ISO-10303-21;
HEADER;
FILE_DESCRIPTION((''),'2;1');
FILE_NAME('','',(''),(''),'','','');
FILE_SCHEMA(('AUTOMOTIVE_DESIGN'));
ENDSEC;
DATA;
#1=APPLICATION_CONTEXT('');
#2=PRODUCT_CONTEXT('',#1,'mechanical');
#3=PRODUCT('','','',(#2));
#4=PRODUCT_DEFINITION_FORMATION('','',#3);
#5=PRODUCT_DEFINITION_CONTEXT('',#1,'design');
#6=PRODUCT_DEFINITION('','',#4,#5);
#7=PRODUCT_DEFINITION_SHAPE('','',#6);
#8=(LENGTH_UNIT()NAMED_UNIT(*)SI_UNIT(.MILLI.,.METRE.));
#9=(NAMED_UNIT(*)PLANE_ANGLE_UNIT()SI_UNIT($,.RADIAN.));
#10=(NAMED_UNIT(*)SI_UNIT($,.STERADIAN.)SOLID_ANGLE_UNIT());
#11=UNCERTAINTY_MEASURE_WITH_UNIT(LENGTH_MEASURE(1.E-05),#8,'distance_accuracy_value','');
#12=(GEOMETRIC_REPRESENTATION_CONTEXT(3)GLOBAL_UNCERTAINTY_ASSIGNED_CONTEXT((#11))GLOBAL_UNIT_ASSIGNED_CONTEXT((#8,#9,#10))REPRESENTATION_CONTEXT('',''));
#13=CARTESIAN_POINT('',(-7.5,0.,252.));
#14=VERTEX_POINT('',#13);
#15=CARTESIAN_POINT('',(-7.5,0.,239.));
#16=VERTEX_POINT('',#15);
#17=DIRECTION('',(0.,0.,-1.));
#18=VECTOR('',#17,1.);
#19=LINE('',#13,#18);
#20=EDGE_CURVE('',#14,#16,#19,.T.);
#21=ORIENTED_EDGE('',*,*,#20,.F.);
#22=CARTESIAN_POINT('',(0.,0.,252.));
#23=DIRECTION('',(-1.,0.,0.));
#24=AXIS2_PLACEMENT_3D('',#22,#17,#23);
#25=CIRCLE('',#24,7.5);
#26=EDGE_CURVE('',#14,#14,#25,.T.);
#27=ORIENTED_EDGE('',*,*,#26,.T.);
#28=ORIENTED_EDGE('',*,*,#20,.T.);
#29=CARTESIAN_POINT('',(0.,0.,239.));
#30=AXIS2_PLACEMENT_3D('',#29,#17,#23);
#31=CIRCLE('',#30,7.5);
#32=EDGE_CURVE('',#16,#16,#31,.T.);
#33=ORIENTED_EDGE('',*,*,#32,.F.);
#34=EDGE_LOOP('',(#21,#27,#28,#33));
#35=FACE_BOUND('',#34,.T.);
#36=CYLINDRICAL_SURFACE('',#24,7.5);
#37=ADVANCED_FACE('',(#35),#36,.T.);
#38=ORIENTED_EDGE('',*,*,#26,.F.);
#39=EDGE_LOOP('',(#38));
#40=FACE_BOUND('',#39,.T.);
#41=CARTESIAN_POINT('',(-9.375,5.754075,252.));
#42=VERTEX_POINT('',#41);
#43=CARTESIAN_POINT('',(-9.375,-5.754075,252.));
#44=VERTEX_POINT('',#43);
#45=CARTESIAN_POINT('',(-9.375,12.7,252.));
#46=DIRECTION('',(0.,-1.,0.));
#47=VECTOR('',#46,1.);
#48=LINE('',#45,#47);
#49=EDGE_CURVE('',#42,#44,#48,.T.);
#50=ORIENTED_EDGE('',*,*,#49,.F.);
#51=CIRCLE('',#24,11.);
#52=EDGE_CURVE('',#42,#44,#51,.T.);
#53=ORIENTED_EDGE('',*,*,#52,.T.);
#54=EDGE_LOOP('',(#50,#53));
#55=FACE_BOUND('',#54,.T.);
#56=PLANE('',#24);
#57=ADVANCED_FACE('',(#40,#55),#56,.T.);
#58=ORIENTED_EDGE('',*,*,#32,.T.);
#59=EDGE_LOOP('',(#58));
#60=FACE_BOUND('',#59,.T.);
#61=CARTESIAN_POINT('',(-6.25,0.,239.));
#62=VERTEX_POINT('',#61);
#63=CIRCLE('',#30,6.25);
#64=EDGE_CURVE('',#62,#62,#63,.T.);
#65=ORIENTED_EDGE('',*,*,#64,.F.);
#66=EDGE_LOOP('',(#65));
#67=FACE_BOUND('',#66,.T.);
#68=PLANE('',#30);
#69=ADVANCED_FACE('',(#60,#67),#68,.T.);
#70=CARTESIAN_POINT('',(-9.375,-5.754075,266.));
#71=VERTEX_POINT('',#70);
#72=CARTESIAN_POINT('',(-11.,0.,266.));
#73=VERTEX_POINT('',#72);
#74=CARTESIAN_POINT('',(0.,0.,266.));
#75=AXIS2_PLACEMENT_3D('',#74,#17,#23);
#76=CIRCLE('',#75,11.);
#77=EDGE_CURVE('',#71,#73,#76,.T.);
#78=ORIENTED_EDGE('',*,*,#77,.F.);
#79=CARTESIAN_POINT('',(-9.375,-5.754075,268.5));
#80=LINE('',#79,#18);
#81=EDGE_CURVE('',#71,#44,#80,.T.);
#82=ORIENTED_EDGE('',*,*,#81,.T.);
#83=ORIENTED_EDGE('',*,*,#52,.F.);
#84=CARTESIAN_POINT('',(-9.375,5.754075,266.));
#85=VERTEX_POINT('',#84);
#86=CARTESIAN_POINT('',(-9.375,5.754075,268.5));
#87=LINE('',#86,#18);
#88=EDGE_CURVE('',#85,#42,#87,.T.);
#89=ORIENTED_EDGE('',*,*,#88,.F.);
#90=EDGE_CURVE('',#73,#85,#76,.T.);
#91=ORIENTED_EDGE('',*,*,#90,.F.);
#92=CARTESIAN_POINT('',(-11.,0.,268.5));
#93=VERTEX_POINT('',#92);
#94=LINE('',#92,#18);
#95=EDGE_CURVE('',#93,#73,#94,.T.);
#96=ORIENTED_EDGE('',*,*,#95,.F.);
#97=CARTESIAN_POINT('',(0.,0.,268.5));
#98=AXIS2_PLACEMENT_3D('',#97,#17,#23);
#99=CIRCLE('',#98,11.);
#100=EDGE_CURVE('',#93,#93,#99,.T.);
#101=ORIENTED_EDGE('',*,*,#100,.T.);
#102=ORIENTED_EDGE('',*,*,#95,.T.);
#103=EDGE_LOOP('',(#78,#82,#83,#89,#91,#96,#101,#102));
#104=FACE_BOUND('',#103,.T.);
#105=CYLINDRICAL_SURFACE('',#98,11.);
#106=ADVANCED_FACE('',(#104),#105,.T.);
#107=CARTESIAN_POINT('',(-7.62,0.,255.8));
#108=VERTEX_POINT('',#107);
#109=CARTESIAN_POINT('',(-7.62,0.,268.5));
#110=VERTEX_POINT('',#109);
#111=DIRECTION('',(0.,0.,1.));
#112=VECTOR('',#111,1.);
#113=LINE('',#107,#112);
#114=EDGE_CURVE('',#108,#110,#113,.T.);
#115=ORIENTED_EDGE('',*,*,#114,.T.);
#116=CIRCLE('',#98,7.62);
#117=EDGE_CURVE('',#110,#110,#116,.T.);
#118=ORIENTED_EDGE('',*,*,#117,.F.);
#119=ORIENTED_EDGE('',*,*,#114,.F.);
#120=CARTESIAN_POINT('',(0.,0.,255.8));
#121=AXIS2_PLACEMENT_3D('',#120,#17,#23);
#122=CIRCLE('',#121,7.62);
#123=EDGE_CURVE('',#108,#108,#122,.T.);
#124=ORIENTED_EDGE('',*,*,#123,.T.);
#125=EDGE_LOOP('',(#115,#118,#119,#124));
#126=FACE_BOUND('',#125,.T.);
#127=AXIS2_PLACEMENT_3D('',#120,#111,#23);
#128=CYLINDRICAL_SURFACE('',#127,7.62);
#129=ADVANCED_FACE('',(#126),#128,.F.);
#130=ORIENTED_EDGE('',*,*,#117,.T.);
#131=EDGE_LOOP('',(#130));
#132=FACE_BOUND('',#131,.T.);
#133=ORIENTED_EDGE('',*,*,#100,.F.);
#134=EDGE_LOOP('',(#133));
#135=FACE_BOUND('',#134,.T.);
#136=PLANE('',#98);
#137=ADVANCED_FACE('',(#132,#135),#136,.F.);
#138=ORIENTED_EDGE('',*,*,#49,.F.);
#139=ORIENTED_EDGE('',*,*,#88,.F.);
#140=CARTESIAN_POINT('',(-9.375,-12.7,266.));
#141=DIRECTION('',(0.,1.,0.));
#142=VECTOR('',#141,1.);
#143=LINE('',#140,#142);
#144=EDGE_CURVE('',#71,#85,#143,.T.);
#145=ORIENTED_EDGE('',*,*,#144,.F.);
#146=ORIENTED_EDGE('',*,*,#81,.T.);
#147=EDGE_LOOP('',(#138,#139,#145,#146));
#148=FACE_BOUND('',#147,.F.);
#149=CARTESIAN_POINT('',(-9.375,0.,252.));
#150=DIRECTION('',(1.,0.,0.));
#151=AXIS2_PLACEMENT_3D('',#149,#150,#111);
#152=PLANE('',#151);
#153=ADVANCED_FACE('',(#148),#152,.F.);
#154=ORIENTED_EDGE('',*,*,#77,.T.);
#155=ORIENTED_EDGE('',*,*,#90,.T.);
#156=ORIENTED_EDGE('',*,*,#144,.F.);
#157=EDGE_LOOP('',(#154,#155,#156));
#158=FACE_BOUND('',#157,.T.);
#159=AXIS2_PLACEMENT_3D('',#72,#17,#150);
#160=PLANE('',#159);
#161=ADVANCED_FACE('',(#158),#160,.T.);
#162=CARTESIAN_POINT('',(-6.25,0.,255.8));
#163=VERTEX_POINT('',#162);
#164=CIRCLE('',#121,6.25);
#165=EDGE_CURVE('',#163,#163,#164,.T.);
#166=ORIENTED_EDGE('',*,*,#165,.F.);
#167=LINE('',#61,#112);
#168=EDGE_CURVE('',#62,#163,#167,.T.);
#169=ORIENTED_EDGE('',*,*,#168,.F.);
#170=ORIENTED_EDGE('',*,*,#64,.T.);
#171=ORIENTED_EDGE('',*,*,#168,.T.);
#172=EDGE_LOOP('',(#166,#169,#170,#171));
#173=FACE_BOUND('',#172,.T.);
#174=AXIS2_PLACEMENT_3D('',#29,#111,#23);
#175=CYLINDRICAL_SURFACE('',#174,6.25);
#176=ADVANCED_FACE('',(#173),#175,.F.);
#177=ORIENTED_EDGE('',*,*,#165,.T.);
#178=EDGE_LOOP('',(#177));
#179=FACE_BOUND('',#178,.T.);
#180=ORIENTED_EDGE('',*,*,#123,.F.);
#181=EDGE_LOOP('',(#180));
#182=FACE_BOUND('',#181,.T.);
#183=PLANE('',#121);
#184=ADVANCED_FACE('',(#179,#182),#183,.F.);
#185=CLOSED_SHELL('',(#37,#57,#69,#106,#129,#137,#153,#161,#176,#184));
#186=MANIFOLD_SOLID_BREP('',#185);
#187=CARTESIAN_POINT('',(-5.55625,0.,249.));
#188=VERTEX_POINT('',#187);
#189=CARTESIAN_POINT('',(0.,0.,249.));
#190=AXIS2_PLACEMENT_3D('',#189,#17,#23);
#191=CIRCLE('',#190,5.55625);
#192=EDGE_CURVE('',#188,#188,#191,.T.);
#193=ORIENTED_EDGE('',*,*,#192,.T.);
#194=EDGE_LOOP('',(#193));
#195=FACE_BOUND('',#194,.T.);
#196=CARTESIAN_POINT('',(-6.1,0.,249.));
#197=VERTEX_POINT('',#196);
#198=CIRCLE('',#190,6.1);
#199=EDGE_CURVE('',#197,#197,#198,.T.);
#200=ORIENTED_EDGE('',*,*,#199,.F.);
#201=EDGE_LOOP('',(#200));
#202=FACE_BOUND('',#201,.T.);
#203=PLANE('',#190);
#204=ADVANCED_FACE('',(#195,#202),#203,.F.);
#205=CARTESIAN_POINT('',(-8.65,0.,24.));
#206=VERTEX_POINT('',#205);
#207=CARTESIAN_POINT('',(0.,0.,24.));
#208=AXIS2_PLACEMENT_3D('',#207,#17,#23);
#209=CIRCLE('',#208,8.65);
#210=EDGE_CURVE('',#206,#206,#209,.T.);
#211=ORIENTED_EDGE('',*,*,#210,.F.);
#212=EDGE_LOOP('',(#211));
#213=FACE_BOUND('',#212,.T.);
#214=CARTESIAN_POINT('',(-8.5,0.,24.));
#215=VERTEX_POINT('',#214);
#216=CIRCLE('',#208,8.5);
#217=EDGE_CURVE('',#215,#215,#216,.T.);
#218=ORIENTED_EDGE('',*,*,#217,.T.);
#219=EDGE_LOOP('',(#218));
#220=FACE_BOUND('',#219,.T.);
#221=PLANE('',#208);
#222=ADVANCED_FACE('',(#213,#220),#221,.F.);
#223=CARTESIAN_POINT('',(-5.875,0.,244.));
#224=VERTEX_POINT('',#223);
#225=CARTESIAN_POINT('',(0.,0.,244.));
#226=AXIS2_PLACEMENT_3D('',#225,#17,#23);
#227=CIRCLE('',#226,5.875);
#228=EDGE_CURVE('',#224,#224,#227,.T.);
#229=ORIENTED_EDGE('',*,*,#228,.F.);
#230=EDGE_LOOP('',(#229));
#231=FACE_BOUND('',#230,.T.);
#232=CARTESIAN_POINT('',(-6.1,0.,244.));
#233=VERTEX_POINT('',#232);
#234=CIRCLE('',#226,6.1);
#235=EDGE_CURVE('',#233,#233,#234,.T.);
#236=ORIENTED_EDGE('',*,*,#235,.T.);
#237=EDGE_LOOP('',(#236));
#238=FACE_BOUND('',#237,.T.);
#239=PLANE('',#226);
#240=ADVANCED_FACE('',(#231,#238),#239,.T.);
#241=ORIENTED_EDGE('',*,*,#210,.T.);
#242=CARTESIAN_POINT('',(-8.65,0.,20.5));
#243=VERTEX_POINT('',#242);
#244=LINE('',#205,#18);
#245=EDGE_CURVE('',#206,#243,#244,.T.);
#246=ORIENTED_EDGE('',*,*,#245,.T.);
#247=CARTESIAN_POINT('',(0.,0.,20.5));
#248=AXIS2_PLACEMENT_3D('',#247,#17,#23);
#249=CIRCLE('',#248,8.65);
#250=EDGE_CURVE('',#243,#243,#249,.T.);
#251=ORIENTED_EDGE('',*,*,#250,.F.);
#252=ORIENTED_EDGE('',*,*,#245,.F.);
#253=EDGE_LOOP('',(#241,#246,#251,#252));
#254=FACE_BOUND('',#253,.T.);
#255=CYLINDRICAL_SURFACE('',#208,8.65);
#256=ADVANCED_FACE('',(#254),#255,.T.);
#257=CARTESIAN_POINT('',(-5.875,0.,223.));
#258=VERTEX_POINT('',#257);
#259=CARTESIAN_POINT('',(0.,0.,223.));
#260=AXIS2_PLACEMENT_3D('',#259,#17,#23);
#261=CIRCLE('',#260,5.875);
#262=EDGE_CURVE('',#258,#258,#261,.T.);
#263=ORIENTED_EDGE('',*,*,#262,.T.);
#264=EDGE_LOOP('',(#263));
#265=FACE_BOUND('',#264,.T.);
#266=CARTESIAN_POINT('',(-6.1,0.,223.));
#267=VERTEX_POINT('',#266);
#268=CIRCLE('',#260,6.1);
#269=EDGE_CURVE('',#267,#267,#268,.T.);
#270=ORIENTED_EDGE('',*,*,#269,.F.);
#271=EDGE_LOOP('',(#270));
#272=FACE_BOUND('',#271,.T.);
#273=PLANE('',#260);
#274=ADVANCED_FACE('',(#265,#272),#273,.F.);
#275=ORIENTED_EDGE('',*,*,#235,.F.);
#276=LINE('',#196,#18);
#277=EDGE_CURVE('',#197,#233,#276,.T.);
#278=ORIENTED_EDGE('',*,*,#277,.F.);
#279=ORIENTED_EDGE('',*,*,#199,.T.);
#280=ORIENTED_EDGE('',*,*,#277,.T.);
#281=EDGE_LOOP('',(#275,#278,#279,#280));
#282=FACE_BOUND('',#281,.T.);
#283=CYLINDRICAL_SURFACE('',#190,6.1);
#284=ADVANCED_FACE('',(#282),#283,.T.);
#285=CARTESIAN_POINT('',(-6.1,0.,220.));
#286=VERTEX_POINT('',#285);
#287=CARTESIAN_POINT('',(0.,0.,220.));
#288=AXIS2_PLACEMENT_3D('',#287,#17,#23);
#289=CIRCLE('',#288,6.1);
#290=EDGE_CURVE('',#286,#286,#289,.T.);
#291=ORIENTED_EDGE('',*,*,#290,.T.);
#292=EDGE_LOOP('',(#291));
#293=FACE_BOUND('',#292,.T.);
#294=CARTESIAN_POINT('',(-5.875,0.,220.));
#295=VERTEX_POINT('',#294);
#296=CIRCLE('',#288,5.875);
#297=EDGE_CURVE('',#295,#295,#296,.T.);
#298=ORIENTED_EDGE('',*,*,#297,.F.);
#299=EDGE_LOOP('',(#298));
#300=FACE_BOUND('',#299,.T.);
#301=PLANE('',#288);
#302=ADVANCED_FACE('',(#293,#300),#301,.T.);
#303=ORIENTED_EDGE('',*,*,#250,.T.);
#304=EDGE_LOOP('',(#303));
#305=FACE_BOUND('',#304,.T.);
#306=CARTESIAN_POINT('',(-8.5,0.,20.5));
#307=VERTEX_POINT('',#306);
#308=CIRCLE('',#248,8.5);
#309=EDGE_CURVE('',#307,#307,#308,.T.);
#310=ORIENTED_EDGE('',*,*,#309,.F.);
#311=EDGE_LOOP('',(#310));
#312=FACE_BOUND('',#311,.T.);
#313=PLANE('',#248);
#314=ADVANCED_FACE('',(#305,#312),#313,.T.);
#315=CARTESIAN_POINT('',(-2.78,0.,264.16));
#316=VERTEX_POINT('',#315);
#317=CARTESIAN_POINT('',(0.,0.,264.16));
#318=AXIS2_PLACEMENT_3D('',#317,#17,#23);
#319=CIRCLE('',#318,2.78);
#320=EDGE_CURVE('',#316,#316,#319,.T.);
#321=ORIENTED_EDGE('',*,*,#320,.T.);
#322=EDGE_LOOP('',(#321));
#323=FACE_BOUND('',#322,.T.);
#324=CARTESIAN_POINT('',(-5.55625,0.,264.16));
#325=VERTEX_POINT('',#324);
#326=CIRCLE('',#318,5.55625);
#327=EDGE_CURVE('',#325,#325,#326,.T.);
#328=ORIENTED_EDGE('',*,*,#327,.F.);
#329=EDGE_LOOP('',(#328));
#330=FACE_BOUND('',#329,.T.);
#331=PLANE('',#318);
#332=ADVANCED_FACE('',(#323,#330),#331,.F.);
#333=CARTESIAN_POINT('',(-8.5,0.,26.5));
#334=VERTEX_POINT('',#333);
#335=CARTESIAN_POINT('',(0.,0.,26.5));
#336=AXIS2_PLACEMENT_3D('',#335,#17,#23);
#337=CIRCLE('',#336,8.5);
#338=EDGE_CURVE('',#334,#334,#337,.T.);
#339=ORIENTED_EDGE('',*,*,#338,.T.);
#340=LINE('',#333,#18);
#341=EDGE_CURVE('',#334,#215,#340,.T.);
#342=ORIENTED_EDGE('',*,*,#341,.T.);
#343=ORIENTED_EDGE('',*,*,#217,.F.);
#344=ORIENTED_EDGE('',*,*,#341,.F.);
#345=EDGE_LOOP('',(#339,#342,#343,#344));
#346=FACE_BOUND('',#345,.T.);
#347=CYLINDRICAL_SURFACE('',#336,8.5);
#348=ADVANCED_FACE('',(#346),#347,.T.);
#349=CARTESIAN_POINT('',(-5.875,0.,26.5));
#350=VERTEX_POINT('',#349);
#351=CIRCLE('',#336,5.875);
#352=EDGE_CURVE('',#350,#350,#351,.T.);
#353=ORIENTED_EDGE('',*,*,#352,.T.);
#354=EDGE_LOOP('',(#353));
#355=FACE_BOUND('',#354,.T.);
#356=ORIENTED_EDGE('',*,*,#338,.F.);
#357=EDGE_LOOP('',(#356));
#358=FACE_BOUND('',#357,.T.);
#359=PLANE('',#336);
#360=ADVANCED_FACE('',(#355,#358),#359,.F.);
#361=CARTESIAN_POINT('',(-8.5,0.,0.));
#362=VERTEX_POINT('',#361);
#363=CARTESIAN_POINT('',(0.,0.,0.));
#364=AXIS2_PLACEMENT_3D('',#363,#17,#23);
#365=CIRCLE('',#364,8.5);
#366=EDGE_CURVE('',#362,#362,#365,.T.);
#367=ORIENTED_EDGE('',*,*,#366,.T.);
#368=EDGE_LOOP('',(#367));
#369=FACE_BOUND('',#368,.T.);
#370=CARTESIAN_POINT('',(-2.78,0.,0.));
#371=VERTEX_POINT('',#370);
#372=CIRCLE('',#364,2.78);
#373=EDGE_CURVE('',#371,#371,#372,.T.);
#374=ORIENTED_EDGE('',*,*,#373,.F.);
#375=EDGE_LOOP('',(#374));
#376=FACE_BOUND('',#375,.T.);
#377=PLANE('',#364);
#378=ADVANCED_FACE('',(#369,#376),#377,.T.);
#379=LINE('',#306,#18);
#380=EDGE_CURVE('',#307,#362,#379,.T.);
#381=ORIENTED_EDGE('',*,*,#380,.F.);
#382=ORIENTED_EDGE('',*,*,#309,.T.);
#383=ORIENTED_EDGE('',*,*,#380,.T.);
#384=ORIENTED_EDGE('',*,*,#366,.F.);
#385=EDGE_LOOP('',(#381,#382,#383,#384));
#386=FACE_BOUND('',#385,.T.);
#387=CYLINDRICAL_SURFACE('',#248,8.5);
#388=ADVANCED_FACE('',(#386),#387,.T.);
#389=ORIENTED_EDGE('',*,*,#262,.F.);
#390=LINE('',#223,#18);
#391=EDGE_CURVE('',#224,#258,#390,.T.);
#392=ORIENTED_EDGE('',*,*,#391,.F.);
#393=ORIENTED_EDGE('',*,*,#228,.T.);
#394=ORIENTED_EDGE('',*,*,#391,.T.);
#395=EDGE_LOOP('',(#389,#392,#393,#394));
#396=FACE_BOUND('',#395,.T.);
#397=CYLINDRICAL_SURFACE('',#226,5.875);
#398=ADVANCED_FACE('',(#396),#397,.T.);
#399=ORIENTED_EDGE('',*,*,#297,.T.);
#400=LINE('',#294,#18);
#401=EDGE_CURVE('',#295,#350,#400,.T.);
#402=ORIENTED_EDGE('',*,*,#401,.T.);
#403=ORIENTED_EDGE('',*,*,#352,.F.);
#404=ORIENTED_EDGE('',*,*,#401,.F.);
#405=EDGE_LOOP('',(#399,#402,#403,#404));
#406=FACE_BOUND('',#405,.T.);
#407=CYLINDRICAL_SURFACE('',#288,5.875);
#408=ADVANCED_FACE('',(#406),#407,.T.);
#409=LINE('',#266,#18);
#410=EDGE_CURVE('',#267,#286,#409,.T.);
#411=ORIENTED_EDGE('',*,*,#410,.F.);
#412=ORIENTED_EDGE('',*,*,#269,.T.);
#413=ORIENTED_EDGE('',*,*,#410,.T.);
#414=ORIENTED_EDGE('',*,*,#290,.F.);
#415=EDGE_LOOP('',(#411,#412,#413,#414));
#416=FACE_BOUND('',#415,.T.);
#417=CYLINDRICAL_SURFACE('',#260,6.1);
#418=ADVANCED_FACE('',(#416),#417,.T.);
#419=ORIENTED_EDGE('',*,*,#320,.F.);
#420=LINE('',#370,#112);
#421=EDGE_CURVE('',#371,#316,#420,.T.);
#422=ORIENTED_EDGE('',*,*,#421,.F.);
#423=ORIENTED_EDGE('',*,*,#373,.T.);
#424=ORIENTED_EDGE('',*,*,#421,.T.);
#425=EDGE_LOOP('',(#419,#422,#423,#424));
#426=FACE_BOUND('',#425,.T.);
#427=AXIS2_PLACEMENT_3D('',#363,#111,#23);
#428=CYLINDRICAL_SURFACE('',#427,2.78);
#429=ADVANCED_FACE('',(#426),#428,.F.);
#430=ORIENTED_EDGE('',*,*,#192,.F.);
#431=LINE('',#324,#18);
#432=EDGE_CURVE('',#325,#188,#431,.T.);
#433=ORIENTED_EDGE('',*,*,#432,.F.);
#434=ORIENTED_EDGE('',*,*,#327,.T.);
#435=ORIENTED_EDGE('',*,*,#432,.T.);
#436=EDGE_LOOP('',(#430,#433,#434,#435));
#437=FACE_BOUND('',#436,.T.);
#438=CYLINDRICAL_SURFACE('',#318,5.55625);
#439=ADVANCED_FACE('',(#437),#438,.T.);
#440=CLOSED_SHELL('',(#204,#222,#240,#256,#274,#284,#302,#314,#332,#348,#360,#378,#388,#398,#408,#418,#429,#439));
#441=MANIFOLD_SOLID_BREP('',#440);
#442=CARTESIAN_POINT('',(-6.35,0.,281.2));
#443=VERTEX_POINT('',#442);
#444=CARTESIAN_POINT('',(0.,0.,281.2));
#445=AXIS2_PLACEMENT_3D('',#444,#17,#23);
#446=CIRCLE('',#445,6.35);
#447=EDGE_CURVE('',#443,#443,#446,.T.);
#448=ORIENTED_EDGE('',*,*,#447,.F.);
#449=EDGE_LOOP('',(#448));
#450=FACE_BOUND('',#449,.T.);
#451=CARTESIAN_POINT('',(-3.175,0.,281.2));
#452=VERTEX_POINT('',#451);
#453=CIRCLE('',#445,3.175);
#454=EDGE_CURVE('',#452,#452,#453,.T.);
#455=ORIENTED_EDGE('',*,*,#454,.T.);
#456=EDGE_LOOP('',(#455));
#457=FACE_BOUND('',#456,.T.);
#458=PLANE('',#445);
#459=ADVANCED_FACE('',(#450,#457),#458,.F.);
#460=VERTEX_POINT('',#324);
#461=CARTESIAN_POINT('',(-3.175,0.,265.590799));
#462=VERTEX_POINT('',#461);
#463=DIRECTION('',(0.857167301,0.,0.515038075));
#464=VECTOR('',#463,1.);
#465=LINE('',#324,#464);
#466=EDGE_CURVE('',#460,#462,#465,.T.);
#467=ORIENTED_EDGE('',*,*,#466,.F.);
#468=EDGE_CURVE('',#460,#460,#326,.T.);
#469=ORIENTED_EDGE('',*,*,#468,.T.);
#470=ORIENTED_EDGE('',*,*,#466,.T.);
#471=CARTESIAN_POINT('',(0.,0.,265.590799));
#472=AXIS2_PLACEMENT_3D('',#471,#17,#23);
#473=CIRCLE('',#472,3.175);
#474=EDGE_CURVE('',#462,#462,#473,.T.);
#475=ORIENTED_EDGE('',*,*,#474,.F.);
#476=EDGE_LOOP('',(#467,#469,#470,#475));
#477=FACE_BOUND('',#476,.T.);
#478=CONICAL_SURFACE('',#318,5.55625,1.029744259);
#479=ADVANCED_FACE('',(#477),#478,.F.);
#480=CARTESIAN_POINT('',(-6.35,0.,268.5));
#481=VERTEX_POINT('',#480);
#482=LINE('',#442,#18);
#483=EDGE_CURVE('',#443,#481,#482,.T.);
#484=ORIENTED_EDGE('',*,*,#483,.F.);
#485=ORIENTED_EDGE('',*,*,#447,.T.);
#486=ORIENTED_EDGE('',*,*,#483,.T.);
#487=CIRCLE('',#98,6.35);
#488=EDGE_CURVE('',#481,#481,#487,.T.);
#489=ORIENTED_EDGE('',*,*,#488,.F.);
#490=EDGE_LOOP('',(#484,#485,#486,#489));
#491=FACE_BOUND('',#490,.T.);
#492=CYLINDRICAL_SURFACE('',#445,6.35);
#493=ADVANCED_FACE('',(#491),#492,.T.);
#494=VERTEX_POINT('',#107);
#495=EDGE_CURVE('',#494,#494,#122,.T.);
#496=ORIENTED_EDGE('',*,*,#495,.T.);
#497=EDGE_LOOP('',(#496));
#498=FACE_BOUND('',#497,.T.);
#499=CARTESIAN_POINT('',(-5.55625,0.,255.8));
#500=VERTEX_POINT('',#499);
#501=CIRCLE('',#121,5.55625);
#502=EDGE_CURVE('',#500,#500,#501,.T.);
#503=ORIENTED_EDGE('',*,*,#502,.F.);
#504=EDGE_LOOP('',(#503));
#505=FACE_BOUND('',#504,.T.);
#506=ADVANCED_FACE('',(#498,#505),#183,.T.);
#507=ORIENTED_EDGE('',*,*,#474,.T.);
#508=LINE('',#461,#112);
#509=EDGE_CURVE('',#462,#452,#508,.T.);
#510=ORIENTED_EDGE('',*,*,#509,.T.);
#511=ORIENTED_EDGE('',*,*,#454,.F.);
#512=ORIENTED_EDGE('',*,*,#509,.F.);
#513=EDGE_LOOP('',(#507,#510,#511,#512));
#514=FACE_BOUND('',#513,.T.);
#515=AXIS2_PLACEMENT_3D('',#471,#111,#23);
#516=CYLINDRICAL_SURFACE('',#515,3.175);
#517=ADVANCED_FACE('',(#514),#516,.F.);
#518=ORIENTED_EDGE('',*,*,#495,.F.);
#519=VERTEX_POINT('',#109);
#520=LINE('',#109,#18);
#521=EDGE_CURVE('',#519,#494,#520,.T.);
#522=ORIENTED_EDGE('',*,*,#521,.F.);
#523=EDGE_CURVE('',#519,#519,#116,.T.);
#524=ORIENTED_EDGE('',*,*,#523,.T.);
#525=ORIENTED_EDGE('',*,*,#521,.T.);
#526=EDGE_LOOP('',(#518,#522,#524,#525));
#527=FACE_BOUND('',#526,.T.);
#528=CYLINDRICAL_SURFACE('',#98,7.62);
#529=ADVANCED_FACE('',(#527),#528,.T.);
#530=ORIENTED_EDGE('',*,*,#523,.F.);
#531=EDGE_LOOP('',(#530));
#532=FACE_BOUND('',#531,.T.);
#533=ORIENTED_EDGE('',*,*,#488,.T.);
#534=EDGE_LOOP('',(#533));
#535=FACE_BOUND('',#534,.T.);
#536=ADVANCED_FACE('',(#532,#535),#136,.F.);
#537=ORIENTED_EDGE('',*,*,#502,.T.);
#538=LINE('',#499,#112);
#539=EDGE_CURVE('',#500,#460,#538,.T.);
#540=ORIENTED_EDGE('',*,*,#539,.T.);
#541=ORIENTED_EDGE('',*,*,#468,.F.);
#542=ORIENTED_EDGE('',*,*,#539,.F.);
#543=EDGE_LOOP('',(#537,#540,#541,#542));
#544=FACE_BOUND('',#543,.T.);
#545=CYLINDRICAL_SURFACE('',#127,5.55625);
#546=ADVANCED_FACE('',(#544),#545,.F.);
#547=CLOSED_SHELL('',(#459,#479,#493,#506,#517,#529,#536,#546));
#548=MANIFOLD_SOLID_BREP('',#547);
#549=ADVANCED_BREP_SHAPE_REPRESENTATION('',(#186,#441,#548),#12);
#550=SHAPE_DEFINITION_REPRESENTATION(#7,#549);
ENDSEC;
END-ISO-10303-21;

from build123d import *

# Parameters (mm, degrees)
F2_W     = 1.625
F2_H     = 14
F4_DEPTH = 12.7


with BuildPart() as f1:
    # F0 (on Front) → F1 (revolve)
    with BuildSketch(Plane.XZ):
        Polygon((-8.5, 0), (-2.78, 0), (-2.78, 264.16), (-5.55625, 264.16), (-5.55625, 249), (-6.1, 249), (-6.1, 244), (-5.875, 244), (-5.875, 223), (-6.1, 223), (-6.1, 220), (-5.875, 220), (-5.875, 26.5), (-8.5, 26.5), (-8.5, 24), (-8.65, 24), (-8.65, 20.5), (-8.5, 20.5), align=None)
    revolve(axis=Axis((0, 0, 132.08), (0, 0, -1)))


with BuildPart() as f3:
    # F2 (on Front) → F3 (revolve)
    with BuildSketch(Plane.XZ):
        with Locations((-10.1875, 259)):
            Rectangle(F2_W, F2_H)
        Polygon((-7.5, 239), (-6.25, 239), (-6.25, 255.8), (-7.62, 255.8), (-7.62, 268.5), (-11, 268.5), (-11, 266), (-9.375, 266), (-9.375, 252), (-7.5, 252), align=None)
    revolve(axis=Axis((0, 0, 253.75), (0, 0, -1)))

    # F2 (on Front) → F4 (cut, symmetric)
    with BuildSketch(Plane.XZ):
        with Locations((-10.1875, 259)):
            Rectangle(F2_W, F2_H)
    extrude(amount=F4_DEPTH, both=True, mode=Mode.SUBTRACT)


with BuildPart() as f6:
    # F5 (on Front) → F6 (revolve)
    with BuildSketch(Plane.XZ):
        Polygon((-7.62, 255.8), (-5.55625, 255.8), (-5.55625, 264.16), (-3.175, 265.5907993491), (-3.175, 281.2), (-6.35, 281.2), (-6.35, 268.5), (-7.62, 268.5), align=None)
    revolve(axis=Axis((0, 0, 268.5), (0, 0, -1)))


solid = Compound([f1.part, f3.part, f6.part])
